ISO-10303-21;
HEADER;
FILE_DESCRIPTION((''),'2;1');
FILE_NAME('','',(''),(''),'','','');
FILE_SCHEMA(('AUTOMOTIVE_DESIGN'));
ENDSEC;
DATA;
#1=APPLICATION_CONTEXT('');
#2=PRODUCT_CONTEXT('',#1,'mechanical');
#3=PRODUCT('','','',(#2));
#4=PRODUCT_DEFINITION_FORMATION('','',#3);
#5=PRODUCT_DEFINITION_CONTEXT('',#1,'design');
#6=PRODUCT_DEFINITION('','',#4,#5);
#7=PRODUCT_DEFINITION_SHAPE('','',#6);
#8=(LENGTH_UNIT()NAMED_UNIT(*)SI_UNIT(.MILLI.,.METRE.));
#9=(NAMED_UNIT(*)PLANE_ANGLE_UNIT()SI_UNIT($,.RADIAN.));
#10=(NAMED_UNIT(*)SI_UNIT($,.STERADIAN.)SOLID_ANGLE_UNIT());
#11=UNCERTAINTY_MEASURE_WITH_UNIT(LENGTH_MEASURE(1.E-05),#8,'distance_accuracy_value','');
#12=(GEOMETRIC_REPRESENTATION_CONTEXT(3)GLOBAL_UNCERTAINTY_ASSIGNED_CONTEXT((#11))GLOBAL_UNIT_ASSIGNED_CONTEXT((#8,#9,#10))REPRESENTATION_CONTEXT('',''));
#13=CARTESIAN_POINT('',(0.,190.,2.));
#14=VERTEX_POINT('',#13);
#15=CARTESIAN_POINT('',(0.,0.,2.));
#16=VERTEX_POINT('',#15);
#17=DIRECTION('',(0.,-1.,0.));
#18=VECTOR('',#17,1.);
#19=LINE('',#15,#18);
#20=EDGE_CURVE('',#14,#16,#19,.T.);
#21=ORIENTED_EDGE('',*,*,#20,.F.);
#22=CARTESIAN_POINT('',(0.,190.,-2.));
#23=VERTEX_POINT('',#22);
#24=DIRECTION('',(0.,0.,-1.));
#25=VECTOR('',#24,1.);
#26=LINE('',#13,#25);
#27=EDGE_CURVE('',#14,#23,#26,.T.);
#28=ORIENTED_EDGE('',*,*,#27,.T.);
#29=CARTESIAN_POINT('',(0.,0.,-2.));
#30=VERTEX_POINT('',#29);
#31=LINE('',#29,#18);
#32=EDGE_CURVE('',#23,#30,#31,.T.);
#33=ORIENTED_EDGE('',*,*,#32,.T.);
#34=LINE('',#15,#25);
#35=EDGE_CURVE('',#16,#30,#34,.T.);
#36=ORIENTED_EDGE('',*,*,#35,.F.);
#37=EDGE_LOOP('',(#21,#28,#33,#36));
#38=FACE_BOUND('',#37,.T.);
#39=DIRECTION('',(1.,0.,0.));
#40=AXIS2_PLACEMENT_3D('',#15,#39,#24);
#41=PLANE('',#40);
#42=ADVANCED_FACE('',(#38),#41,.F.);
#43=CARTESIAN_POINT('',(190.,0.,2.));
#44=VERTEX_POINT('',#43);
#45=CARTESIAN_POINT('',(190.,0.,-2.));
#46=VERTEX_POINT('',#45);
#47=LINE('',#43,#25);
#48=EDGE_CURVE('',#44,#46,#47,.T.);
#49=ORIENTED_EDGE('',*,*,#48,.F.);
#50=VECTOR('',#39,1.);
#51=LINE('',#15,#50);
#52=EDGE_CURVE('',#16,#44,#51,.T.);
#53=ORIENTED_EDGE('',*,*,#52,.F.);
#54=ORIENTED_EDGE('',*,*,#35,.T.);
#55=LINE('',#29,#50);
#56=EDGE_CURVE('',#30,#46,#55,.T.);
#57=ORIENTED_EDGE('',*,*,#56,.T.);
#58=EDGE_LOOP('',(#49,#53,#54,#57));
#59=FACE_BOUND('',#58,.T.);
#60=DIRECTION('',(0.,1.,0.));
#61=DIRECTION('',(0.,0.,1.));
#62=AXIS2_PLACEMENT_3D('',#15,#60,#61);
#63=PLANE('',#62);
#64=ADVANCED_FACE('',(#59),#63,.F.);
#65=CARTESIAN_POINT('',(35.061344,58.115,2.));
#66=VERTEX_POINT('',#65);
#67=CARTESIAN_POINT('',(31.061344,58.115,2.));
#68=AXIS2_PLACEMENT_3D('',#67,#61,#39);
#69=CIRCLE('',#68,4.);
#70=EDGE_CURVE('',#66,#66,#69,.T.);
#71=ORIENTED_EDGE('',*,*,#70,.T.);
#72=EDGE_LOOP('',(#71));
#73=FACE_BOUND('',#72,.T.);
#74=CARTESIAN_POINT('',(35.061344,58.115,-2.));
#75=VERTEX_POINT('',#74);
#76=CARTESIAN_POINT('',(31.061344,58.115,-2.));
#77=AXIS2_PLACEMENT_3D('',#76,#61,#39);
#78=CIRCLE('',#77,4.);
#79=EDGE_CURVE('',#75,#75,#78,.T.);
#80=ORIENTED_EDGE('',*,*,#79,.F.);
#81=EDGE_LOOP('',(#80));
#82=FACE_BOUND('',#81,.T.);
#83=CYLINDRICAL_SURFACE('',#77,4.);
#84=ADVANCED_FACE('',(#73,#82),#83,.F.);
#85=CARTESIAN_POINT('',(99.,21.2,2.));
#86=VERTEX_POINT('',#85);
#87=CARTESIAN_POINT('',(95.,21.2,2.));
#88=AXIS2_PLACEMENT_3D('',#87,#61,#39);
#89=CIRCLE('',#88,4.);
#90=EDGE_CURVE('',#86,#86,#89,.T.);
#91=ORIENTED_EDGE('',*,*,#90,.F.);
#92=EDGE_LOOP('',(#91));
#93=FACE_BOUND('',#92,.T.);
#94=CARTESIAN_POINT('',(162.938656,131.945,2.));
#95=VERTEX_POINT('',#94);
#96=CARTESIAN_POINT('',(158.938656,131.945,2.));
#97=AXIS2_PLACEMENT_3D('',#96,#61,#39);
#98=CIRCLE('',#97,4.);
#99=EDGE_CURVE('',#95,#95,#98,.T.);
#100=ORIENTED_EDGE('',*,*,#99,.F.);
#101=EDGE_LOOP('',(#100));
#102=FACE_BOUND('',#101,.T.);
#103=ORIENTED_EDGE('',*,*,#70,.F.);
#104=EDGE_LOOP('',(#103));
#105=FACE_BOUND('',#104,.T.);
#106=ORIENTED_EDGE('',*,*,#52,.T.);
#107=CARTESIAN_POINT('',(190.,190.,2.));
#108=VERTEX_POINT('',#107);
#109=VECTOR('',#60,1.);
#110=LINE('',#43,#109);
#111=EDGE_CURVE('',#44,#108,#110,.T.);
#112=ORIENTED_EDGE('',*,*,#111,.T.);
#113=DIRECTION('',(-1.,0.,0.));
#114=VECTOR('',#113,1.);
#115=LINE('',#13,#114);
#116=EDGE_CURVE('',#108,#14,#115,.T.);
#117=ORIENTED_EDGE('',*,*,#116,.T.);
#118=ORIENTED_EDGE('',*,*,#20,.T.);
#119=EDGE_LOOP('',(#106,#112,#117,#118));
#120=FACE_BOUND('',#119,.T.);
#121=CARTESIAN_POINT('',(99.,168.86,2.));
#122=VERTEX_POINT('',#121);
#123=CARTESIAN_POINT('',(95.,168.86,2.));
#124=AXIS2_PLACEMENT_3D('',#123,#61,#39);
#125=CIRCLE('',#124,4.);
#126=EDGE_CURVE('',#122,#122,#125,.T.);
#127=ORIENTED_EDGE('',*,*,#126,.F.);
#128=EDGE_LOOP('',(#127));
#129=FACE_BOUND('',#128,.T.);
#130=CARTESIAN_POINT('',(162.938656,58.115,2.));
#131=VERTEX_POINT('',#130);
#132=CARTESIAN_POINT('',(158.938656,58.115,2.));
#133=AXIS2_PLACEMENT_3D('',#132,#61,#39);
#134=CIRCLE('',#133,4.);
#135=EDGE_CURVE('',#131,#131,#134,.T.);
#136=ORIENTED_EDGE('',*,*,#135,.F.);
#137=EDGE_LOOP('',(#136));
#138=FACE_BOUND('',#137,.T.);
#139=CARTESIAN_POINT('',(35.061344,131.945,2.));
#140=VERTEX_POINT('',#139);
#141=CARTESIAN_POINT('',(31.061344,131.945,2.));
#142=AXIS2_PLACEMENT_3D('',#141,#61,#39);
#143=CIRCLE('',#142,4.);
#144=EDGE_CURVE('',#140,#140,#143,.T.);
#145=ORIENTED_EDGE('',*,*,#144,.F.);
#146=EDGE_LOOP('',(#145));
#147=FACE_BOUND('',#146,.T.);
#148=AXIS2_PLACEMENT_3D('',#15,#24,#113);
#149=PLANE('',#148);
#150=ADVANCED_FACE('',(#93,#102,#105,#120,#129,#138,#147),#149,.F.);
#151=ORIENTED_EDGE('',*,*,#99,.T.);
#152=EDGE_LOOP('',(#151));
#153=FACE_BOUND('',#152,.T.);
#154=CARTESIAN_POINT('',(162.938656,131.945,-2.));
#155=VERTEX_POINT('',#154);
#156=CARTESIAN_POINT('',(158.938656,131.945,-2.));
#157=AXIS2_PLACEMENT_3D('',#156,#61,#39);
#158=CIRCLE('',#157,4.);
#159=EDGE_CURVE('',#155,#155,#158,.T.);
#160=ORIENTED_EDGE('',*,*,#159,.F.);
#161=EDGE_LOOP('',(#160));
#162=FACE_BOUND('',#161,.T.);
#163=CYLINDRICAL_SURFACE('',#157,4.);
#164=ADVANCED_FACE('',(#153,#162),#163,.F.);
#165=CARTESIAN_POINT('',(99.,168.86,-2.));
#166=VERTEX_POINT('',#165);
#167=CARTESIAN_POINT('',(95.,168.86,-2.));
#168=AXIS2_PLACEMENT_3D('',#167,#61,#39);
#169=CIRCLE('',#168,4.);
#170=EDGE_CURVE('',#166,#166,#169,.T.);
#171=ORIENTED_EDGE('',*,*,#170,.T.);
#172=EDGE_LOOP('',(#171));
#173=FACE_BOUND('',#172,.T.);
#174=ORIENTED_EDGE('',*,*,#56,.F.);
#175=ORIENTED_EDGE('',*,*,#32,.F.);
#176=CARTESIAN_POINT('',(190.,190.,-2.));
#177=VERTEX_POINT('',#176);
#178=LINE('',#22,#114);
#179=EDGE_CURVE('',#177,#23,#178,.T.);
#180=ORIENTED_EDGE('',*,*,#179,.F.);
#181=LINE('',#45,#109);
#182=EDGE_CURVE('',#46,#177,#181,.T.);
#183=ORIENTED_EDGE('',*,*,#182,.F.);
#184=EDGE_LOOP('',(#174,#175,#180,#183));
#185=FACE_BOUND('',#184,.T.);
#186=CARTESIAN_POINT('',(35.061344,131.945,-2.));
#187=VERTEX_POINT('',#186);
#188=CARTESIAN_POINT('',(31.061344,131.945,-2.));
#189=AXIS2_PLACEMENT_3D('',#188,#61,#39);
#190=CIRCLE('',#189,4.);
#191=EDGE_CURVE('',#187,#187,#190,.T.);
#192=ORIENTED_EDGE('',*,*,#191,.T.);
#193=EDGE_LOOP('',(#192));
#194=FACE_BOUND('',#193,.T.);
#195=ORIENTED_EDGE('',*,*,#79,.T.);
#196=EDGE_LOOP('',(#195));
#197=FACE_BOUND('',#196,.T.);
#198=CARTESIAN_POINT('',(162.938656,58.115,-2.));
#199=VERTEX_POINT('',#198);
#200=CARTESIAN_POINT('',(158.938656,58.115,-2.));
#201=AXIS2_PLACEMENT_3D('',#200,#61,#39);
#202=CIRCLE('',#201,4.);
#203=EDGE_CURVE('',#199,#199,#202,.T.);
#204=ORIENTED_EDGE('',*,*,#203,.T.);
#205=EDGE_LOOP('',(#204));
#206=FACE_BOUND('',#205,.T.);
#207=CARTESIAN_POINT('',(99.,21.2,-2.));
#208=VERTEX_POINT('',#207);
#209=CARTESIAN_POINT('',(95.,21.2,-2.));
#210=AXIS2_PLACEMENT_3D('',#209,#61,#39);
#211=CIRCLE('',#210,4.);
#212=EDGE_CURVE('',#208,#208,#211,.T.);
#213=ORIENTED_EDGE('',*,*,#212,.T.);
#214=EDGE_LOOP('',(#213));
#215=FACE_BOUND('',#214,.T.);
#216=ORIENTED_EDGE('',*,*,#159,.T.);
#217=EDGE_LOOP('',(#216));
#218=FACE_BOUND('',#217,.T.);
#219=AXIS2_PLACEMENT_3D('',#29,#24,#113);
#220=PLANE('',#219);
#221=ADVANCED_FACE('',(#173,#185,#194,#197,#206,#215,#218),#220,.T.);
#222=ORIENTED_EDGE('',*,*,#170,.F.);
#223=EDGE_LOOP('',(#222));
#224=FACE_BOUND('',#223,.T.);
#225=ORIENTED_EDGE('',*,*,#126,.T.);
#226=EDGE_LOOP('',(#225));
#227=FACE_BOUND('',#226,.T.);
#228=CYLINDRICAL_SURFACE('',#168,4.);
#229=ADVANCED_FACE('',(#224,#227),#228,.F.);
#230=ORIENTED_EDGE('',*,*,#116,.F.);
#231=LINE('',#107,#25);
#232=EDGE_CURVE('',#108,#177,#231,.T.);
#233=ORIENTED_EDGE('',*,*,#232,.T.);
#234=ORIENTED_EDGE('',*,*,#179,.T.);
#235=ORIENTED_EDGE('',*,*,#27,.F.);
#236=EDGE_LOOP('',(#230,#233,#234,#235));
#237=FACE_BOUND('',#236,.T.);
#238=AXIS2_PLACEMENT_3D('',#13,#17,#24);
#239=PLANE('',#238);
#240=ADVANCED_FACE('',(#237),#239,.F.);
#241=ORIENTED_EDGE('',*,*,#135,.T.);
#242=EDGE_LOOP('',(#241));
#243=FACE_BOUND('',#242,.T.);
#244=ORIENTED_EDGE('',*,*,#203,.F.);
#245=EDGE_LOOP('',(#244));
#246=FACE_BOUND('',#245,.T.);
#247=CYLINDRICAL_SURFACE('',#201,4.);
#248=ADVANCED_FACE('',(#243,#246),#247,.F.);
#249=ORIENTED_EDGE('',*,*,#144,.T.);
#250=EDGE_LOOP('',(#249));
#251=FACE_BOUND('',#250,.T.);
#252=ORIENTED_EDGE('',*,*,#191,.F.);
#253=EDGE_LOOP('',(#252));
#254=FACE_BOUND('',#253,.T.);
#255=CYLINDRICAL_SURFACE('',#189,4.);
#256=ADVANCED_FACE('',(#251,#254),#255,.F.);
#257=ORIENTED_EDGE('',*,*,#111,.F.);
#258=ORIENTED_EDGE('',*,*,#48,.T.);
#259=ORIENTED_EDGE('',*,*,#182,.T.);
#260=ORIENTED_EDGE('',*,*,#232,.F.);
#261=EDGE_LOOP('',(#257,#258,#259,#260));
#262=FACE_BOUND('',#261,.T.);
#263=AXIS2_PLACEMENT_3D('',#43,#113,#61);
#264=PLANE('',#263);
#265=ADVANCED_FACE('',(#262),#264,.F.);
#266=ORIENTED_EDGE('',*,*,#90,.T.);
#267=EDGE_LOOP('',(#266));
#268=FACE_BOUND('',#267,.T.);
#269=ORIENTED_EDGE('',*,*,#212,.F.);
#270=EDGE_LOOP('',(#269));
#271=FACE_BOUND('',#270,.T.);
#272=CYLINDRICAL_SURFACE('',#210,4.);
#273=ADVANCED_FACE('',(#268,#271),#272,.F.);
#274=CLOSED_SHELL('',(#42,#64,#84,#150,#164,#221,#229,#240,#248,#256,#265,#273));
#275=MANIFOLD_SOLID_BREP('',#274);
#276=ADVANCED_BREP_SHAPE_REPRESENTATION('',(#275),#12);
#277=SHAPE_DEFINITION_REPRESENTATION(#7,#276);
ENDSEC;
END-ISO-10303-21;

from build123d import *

# Parameters (mm, degrees)
CROQUIS1_W              = 190
CROQUIS1_H              = 190
SALIENTE_EXTRUIR1_DEPTH = 2
CROQUIS2_R              = 4
CORTAR_EXTRUIR2_DEPTH   = 4


with BuildPart() as part:
    # Croquis1 → Saliente-Extruir1 (new, symmetric)
    with BuildSketch(Plane.XY):
        with Locations((95, 95)):
            Rectangle(CROQUIS1_W, CROQUIS1_H)
    extrude(amount=SALIENTE_EXTRUIR1_DEPTH, both=True)

    # Croquis2 → Cortar-Extruir2 (cut)
    with BuildSketch(Plane.XY.offset(2)):
        with Locations((95, 168.86)):
            Circle(CROQUIS2_R)
        with Locations((158.938655561, 131.945)):
            Circle(CROQUIS2_R)
        with Locations((158.938655561, 58.115)):
            Circle(CROQUIS2_R)
        with Locations((95, 21.2)):
            Circle(CROQUIS2_R)
        with Locations((31.061344439, 58.115)):
            Circle(CROQUIS2_R)
        with Locations((31.061344439, 131.945)):
            Circle(CROQUIS2_R)
    extrude(amount=-CORTAR_EXTRUIR2_DEPTH, mode=Mode.SUBTRACT)


solid = part.part
